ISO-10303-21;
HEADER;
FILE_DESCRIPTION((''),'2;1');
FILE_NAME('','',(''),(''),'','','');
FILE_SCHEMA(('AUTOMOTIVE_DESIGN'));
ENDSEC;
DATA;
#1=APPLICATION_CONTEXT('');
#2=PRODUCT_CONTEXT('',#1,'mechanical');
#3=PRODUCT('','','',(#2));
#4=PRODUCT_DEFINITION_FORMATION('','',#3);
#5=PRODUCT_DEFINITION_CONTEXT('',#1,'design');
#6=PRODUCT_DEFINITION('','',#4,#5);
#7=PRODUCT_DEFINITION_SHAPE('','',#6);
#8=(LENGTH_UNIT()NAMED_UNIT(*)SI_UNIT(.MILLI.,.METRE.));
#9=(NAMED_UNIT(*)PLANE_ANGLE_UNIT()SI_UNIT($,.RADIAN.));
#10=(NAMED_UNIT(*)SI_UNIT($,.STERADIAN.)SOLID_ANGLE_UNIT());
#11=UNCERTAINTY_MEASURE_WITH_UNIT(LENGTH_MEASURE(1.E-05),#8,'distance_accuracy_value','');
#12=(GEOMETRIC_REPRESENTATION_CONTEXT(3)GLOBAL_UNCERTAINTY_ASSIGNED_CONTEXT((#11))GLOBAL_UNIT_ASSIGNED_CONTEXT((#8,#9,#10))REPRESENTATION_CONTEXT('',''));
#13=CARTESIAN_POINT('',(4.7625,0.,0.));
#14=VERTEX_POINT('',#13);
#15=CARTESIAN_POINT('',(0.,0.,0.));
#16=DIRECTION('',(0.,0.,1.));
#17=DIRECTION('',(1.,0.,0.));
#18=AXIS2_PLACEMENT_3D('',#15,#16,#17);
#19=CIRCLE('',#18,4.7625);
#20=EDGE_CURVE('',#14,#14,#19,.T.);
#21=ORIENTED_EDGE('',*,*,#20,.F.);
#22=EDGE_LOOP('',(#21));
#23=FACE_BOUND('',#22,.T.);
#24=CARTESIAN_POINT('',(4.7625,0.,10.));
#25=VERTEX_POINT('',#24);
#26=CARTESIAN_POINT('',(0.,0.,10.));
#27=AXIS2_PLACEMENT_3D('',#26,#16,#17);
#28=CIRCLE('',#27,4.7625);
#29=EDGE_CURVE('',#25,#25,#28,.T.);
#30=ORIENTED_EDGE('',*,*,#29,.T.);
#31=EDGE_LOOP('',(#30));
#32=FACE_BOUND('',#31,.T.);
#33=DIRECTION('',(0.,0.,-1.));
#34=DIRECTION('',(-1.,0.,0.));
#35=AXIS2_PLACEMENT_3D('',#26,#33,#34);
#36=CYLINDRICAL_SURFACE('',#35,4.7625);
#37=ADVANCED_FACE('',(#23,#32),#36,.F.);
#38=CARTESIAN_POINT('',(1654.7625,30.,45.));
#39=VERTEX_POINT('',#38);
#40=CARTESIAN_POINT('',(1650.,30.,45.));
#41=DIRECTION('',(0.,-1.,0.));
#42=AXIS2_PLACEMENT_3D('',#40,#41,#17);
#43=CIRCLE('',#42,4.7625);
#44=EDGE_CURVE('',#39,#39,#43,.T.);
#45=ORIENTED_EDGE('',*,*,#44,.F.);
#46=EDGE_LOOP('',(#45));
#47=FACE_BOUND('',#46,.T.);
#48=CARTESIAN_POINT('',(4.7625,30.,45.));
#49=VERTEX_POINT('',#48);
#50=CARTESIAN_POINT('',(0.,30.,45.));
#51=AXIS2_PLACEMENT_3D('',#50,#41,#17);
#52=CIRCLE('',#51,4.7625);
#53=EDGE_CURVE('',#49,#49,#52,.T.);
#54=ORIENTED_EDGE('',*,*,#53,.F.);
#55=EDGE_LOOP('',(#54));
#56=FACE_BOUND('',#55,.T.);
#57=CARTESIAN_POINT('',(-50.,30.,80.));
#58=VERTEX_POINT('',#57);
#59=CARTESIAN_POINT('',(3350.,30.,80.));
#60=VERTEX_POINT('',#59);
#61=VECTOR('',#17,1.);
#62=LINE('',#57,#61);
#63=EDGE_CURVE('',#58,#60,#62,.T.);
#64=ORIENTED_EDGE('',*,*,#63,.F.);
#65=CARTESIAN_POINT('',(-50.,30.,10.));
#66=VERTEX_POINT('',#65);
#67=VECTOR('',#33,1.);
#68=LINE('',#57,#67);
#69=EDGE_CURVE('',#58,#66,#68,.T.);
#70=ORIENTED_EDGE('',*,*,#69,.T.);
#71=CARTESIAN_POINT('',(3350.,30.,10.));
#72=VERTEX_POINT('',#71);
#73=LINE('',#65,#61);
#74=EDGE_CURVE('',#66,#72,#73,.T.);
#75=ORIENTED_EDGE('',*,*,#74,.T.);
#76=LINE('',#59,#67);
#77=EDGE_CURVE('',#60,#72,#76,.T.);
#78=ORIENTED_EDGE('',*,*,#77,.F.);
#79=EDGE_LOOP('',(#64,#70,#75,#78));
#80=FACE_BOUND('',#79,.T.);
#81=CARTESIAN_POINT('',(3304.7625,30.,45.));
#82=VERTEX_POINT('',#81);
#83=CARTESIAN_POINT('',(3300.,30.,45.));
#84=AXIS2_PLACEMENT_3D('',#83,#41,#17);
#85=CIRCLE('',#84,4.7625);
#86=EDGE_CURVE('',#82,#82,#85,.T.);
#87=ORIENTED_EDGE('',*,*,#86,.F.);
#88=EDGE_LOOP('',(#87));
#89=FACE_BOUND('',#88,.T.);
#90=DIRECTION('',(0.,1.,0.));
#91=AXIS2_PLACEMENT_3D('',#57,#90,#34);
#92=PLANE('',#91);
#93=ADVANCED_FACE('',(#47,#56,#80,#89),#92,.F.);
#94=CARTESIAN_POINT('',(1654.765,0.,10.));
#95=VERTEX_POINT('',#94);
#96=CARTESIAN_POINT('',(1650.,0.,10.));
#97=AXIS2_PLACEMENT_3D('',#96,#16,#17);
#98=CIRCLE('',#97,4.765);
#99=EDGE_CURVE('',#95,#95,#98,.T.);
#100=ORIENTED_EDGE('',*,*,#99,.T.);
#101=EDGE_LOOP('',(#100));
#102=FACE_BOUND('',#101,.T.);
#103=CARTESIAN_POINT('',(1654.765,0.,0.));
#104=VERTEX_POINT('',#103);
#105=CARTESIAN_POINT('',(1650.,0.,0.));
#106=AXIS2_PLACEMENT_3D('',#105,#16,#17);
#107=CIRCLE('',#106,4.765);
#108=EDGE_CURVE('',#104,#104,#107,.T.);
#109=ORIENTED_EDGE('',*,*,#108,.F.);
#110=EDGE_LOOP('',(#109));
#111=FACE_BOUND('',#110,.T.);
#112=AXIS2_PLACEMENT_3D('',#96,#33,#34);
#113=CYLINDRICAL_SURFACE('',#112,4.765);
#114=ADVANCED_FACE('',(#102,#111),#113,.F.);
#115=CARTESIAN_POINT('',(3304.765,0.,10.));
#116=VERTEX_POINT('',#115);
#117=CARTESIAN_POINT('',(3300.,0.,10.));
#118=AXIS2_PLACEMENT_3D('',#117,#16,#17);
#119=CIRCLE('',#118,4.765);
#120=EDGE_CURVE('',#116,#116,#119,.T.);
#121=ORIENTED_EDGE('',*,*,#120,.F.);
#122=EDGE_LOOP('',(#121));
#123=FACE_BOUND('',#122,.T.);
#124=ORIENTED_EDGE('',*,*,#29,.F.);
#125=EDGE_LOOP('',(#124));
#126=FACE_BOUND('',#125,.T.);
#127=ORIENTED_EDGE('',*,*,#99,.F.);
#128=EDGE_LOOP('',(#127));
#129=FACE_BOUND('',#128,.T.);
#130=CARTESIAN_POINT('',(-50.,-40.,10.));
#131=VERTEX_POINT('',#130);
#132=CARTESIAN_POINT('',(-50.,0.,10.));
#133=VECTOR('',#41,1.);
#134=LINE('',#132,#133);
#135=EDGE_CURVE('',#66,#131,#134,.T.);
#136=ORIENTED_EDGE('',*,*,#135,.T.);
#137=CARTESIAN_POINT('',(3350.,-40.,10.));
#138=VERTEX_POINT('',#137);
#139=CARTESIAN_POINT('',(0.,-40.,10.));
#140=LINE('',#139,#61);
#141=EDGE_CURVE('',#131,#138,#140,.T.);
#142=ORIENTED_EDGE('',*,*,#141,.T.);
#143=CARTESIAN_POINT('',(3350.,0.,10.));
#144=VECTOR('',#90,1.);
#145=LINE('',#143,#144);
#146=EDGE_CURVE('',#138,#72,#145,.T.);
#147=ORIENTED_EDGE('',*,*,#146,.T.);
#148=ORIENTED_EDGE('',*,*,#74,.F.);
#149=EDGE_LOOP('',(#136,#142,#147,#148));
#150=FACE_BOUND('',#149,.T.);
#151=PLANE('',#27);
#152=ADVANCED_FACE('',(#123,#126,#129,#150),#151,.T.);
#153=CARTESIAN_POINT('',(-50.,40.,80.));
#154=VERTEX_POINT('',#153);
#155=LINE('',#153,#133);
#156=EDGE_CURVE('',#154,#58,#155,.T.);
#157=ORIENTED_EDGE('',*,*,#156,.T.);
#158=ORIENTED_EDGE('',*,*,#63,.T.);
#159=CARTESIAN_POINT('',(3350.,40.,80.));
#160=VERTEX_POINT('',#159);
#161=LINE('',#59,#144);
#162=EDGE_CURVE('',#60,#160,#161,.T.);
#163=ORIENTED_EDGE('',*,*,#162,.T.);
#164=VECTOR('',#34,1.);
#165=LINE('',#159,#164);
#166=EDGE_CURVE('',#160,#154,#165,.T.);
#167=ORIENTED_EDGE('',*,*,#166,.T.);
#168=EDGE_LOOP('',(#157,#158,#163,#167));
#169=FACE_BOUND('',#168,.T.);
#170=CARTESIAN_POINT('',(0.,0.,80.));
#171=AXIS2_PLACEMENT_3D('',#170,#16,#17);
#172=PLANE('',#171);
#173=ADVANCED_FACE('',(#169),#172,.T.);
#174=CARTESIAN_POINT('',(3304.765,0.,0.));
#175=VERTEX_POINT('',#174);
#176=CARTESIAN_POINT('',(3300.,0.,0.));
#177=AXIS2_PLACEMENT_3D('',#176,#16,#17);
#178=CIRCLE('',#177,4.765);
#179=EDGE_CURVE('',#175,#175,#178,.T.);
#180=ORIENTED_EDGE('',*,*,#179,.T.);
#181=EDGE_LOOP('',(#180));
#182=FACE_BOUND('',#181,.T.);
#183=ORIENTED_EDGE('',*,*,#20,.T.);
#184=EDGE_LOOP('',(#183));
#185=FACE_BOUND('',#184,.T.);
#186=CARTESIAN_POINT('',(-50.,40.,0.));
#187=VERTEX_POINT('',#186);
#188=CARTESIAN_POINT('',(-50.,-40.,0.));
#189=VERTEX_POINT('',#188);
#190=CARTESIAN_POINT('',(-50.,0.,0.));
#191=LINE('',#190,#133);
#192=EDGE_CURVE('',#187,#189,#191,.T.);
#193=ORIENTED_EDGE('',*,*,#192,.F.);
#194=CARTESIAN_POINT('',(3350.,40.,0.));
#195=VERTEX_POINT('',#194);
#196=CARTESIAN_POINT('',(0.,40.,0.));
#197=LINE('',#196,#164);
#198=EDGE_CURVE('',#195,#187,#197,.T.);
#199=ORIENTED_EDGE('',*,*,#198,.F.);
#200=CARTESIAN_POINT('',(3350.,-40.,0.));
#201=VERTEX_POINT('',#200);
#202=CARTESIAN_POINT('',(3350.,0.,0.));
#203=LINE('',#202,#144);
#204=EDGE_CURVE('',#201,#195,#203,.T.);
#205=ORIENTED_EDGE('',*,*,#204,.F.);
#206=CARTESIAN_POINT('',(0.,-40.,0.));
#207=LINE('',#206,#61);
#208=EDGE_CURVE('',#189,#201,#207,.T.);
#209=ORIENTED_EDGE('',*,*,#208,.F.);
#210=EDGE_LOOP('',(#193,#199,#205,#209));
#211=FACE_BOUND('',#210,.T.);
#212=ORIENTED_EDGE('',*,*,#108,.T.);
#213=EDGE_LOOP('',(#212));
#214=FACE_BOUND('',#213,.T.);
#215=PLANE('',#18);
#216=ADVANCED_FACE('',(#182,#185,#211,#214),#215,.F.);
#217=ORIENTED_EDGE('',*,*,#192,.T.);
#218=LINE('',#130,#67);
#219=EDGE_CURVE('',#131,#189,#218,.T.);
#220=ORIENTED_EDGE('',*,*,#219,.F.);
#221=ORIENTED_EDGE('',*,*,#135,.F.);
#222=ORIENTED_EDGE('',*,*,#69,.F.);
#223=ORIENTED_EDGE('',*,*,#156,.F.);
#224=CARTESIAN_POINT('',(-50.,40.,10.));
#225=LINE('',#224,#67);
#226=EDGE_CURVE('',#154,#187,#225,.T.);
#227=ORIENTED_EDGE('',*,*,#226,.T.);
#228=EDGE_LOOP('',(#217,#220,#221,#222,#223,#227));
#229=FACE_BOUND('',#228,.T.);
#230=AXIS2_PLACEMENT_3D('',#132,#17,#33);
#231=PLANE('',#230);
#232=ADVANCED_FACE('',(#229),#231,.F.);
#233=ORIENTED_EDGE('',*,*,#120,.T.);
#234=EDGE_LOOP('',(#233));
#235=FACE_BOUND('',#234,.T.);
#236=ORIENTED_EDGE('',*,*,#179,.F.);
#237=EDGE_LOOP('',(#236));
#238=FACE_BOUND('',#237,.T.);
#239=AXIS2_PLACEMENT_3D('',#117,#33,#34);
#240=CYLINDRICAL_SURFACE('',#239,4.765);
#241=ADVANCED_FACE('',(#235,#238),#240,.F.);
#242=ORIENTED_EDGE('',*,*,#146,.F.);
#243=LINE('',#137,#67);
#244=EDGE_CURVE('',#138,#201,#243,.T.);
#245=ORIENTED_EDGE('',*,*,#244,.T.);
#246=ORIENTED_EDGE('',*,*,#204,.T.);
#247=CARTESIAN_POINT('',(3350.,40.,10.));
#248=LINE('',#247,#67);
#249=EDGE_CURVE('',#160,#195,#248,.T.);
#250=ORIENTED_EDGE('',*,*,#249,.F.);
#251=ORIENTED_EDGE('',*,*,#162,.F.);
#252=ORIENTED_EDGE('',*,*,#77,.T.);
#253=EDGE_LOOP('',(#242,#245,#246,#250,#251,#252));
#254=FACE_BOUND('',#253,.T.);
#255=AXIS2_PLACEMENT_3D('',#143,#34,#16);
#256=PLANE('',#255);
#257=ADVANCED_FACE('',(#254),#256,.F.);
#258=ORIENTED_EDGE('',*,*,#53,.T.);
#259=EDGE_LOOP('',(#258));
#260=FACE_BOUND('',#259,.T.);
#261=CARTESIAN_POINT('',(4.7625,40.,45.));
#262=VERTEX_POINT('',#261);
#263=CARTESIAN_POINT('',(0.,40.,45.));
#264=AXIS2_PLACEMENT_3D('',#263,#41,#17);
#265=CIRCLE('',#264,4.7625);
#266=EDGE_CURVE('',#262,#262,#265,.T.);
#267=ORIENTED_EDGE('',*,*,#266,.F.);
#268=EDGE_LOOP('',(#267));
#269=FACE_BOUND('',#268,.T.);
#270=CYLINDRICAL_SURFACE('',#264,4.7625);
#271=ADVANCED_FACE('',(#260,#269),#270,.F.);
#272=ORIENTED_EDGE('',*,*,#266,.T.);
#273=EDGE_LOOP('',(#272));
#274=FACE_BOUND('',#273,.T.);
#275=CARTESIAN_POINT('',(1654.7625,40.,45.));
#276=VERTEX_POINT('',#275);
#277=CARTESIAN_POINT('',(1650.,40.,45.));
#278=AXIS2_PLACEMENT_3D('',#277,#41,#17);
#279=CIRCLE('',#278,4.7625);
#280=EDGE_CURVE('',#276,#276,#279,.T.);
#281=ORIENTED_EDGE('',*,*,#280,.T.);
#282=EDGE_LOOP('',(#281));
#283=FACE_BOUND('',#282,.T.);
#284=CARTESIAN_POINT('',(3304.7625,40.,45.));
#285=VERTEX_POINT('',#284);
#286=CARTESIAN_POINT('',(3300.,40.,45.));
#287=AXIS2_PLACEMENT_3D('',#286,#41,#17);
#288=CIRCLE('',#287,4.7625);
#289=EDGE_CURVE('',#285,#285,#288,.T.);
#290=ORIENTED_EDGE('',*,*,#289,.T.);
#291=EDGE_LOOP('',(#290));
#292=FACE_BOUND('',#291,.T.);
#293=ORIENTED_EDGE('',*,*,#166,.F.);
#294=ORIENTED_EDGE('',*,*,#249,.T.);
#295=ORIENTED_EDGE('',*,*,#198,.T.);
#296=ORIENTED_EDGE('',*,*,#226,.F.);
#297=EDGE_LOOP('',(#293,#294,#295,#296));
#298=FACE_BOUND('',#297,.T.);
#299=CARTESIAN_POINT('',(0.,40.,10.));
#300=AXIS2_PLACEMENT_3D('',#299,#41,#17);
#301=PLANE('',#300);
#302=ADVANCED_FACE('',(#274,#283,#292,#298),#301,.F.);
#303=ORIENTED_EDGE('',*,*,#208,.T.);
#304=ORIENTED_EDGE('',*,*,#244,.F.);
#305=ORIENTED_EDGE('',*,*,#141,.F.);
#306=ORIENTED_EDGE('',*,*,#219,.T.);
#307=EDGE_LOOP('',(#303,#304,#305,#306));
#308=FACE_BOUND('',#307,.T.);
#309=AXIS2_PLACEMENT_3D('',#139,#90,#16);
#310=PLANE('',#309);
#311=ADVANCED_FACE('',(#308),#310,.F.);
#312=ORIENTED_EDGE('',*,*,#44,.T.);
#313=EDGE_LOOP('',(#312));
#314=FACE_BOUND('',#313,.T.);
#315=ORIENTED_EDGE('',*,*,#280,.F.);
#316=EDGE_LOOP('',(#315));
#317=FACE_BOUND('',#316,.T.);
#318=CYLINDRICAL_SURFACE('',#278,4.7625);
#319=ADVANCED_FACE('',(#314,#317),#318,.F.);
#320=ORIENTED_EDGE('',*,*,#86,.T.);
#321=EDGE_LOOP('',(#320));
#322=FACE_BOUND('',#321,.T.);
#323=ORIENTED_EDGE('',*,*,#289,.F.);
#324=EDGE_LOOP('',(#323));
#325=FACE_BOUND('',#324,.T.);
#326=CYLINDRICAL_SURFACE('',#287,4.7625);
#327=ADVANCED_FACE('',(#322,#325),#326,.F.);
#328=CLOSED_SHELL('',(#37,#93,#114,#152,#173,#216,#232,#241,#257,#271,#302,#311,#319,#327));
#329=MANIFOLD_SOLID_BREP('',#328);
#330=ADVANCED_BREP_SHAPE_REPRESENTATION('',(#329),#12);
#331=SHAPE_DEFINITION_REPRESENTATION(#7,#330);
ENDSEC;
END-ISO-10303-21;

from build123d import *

# Parameters (mm, degrees)
CROQUIS1_R              = 4.7625
CROQUIS1_R_2            = 4.765
SALIENTE_EXTRUIR1_DEPTH = 10
CROQUIS2_W              = 3400
CROQUIS2_H              = 10
SALIENTE_EXTRUIR2_DEPTH = 70
CROQUIS3_R              = 4.7625
CORTAR_EXTRUIR1_DEPTH   = 3352.686142824


with BuildPart() as part:
    # Croquis1 → Saliente-Extruir1 (new body)
    with BuildSketch(Plane.XY):
        Polygon((-50, 0), (-50, -40), (3350, -40), (3350, 40), (-50, 40), align=None)
        Circle(CROQUIS1_R, mode=Mode.SUBTRACT)
        with Locations((1650, 0)):
            Circle(CROQUIS1_R_2, mode=Mode.SUBTRACT)
        with Locations((3300, 0)):
            Circle(CROQUIS1_R_2, mode=Mode.SUBTRACT)
    extrude(amount=SALIENTE_EXTRUIR1_DEPTH)

    # Croquis2 → Saliente-Extruir2 (add)
    with BuildSketch(Plane.XY.offset(10)):
        with Locations((1650, 35)):
            Rectangle(CROQUIS2_W, CROQUIS2_H)
    extrude(amount=SALIENTE_EXTRUIR2_DEPTH)

    # Croquis3 → Cortar-Extruir1 (cut, through all)
    with BuildSketch(Plane.XZ.offset(-30)):
        with Locations((3300, 45)):
            Circle(CROQUIS3_R)
        with Locations((1650, 45)):
            Circle(CROQUIS3_R)
        with Locations((0, 45)):
            Circle(CROQUIS3_R)
    extrude(amount=-CORTAR_EXTRUIR1_DEPTH, mode=Mode.SUBTRACT)


solid = part.part
